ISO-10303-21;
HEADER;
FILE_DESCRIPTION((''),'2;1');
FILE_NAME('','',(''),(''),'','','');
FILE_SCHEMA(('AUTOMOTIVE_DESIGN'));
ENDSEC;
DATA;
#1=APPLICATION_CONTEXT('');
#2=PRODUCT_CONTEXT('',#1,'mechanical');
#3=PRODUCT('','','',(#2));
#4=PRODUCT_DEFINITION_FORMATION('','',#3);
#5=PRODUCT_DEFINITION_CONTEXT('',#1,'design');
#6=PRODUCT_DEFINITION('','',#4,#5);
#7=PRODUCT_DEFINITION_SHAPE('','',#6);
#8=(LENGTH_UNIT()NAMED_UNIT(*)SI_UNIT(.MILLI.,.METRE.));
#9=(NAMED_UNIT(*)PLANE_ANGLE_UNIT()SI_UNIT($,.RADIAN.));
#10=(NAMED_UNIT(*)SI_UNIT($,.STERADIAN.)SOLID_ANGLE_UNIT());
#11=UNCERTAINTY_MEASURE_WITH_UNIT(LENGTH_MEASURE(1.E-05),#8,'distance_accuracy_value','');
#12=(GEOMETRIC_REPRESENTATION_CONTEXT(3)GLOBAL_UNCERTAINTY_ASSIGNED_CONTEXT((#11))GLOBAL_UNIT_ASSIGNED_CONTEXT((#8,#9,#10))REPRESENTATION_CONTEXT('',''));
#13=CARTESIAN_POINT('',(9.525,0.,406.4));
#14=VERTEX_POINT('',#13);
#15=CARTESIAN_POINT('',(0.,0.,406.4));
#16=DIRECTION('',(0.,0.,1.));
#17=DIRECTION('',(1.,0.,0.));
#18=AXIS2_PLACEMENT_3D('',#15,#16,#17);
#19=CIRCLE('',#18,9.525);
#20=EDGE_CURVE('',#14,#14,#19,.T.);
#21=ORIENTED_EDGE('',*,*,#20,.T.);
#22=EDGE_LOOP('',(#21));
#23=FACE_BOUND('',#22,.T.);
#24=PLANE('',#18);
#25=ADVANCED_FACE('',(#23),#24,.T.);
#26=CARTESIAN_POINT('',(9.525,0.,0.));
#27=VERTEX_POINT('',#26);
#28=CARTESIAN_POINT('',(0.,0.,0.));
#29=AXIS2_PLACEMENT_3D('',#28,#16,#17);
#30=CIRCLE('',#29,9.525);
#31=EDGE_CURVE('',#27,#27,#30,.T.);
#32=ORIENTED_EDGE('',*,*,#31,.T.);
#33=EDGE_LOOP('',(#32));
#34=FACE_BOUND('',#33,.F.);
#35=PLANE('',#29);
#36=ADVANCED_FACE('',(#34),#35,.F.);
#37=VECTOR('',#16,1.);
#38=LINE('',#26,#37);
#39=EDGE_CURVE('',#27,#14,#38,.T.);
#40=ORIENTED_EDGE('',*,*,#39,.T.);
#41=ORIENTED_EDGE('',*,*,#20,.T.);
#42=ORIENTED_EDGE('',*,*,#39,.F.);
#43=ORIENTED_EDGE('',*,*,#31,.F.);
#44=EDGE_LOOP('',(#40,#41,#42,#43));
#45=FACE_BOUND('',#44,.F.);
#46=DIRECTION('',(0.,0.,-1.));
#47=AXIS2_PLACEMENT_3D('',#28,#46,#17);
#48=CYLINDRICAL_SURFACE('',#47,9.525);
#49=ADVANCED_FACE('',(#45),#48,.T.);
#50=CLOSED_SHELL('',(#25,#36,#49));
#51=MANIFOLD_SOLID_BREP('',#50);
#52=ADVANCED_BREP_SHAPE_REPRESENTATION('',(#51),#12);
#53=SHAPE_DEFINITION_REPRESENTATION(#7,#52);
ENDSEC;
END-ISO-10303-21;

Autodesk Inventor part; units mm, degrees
ref_plane "YZ Plane" through (0, 0, 0) normal (1, 0, 0) x (0, 1, 0)
ref_plane "XY Plane" through (0, 0, 0) normal (0, 0, 1) x (1, 0, 0)
sketch "Sketch1" plane through (0, 0, 0) normal (0, 0, 1) x (1, 0, 0)
  circle A0 centre (0, 0) radius 9.525
  dimension "d0" = 19.05
extrude "Extrusion1" add sketch "Sketch1" along normal blind 406.4
ref_plane "Work Plane1" through (0, 9.525, 0) normal (0, 1, 0) x (-1, 0, 0)
properties part number "Pneumatic Cylinder Standin"
